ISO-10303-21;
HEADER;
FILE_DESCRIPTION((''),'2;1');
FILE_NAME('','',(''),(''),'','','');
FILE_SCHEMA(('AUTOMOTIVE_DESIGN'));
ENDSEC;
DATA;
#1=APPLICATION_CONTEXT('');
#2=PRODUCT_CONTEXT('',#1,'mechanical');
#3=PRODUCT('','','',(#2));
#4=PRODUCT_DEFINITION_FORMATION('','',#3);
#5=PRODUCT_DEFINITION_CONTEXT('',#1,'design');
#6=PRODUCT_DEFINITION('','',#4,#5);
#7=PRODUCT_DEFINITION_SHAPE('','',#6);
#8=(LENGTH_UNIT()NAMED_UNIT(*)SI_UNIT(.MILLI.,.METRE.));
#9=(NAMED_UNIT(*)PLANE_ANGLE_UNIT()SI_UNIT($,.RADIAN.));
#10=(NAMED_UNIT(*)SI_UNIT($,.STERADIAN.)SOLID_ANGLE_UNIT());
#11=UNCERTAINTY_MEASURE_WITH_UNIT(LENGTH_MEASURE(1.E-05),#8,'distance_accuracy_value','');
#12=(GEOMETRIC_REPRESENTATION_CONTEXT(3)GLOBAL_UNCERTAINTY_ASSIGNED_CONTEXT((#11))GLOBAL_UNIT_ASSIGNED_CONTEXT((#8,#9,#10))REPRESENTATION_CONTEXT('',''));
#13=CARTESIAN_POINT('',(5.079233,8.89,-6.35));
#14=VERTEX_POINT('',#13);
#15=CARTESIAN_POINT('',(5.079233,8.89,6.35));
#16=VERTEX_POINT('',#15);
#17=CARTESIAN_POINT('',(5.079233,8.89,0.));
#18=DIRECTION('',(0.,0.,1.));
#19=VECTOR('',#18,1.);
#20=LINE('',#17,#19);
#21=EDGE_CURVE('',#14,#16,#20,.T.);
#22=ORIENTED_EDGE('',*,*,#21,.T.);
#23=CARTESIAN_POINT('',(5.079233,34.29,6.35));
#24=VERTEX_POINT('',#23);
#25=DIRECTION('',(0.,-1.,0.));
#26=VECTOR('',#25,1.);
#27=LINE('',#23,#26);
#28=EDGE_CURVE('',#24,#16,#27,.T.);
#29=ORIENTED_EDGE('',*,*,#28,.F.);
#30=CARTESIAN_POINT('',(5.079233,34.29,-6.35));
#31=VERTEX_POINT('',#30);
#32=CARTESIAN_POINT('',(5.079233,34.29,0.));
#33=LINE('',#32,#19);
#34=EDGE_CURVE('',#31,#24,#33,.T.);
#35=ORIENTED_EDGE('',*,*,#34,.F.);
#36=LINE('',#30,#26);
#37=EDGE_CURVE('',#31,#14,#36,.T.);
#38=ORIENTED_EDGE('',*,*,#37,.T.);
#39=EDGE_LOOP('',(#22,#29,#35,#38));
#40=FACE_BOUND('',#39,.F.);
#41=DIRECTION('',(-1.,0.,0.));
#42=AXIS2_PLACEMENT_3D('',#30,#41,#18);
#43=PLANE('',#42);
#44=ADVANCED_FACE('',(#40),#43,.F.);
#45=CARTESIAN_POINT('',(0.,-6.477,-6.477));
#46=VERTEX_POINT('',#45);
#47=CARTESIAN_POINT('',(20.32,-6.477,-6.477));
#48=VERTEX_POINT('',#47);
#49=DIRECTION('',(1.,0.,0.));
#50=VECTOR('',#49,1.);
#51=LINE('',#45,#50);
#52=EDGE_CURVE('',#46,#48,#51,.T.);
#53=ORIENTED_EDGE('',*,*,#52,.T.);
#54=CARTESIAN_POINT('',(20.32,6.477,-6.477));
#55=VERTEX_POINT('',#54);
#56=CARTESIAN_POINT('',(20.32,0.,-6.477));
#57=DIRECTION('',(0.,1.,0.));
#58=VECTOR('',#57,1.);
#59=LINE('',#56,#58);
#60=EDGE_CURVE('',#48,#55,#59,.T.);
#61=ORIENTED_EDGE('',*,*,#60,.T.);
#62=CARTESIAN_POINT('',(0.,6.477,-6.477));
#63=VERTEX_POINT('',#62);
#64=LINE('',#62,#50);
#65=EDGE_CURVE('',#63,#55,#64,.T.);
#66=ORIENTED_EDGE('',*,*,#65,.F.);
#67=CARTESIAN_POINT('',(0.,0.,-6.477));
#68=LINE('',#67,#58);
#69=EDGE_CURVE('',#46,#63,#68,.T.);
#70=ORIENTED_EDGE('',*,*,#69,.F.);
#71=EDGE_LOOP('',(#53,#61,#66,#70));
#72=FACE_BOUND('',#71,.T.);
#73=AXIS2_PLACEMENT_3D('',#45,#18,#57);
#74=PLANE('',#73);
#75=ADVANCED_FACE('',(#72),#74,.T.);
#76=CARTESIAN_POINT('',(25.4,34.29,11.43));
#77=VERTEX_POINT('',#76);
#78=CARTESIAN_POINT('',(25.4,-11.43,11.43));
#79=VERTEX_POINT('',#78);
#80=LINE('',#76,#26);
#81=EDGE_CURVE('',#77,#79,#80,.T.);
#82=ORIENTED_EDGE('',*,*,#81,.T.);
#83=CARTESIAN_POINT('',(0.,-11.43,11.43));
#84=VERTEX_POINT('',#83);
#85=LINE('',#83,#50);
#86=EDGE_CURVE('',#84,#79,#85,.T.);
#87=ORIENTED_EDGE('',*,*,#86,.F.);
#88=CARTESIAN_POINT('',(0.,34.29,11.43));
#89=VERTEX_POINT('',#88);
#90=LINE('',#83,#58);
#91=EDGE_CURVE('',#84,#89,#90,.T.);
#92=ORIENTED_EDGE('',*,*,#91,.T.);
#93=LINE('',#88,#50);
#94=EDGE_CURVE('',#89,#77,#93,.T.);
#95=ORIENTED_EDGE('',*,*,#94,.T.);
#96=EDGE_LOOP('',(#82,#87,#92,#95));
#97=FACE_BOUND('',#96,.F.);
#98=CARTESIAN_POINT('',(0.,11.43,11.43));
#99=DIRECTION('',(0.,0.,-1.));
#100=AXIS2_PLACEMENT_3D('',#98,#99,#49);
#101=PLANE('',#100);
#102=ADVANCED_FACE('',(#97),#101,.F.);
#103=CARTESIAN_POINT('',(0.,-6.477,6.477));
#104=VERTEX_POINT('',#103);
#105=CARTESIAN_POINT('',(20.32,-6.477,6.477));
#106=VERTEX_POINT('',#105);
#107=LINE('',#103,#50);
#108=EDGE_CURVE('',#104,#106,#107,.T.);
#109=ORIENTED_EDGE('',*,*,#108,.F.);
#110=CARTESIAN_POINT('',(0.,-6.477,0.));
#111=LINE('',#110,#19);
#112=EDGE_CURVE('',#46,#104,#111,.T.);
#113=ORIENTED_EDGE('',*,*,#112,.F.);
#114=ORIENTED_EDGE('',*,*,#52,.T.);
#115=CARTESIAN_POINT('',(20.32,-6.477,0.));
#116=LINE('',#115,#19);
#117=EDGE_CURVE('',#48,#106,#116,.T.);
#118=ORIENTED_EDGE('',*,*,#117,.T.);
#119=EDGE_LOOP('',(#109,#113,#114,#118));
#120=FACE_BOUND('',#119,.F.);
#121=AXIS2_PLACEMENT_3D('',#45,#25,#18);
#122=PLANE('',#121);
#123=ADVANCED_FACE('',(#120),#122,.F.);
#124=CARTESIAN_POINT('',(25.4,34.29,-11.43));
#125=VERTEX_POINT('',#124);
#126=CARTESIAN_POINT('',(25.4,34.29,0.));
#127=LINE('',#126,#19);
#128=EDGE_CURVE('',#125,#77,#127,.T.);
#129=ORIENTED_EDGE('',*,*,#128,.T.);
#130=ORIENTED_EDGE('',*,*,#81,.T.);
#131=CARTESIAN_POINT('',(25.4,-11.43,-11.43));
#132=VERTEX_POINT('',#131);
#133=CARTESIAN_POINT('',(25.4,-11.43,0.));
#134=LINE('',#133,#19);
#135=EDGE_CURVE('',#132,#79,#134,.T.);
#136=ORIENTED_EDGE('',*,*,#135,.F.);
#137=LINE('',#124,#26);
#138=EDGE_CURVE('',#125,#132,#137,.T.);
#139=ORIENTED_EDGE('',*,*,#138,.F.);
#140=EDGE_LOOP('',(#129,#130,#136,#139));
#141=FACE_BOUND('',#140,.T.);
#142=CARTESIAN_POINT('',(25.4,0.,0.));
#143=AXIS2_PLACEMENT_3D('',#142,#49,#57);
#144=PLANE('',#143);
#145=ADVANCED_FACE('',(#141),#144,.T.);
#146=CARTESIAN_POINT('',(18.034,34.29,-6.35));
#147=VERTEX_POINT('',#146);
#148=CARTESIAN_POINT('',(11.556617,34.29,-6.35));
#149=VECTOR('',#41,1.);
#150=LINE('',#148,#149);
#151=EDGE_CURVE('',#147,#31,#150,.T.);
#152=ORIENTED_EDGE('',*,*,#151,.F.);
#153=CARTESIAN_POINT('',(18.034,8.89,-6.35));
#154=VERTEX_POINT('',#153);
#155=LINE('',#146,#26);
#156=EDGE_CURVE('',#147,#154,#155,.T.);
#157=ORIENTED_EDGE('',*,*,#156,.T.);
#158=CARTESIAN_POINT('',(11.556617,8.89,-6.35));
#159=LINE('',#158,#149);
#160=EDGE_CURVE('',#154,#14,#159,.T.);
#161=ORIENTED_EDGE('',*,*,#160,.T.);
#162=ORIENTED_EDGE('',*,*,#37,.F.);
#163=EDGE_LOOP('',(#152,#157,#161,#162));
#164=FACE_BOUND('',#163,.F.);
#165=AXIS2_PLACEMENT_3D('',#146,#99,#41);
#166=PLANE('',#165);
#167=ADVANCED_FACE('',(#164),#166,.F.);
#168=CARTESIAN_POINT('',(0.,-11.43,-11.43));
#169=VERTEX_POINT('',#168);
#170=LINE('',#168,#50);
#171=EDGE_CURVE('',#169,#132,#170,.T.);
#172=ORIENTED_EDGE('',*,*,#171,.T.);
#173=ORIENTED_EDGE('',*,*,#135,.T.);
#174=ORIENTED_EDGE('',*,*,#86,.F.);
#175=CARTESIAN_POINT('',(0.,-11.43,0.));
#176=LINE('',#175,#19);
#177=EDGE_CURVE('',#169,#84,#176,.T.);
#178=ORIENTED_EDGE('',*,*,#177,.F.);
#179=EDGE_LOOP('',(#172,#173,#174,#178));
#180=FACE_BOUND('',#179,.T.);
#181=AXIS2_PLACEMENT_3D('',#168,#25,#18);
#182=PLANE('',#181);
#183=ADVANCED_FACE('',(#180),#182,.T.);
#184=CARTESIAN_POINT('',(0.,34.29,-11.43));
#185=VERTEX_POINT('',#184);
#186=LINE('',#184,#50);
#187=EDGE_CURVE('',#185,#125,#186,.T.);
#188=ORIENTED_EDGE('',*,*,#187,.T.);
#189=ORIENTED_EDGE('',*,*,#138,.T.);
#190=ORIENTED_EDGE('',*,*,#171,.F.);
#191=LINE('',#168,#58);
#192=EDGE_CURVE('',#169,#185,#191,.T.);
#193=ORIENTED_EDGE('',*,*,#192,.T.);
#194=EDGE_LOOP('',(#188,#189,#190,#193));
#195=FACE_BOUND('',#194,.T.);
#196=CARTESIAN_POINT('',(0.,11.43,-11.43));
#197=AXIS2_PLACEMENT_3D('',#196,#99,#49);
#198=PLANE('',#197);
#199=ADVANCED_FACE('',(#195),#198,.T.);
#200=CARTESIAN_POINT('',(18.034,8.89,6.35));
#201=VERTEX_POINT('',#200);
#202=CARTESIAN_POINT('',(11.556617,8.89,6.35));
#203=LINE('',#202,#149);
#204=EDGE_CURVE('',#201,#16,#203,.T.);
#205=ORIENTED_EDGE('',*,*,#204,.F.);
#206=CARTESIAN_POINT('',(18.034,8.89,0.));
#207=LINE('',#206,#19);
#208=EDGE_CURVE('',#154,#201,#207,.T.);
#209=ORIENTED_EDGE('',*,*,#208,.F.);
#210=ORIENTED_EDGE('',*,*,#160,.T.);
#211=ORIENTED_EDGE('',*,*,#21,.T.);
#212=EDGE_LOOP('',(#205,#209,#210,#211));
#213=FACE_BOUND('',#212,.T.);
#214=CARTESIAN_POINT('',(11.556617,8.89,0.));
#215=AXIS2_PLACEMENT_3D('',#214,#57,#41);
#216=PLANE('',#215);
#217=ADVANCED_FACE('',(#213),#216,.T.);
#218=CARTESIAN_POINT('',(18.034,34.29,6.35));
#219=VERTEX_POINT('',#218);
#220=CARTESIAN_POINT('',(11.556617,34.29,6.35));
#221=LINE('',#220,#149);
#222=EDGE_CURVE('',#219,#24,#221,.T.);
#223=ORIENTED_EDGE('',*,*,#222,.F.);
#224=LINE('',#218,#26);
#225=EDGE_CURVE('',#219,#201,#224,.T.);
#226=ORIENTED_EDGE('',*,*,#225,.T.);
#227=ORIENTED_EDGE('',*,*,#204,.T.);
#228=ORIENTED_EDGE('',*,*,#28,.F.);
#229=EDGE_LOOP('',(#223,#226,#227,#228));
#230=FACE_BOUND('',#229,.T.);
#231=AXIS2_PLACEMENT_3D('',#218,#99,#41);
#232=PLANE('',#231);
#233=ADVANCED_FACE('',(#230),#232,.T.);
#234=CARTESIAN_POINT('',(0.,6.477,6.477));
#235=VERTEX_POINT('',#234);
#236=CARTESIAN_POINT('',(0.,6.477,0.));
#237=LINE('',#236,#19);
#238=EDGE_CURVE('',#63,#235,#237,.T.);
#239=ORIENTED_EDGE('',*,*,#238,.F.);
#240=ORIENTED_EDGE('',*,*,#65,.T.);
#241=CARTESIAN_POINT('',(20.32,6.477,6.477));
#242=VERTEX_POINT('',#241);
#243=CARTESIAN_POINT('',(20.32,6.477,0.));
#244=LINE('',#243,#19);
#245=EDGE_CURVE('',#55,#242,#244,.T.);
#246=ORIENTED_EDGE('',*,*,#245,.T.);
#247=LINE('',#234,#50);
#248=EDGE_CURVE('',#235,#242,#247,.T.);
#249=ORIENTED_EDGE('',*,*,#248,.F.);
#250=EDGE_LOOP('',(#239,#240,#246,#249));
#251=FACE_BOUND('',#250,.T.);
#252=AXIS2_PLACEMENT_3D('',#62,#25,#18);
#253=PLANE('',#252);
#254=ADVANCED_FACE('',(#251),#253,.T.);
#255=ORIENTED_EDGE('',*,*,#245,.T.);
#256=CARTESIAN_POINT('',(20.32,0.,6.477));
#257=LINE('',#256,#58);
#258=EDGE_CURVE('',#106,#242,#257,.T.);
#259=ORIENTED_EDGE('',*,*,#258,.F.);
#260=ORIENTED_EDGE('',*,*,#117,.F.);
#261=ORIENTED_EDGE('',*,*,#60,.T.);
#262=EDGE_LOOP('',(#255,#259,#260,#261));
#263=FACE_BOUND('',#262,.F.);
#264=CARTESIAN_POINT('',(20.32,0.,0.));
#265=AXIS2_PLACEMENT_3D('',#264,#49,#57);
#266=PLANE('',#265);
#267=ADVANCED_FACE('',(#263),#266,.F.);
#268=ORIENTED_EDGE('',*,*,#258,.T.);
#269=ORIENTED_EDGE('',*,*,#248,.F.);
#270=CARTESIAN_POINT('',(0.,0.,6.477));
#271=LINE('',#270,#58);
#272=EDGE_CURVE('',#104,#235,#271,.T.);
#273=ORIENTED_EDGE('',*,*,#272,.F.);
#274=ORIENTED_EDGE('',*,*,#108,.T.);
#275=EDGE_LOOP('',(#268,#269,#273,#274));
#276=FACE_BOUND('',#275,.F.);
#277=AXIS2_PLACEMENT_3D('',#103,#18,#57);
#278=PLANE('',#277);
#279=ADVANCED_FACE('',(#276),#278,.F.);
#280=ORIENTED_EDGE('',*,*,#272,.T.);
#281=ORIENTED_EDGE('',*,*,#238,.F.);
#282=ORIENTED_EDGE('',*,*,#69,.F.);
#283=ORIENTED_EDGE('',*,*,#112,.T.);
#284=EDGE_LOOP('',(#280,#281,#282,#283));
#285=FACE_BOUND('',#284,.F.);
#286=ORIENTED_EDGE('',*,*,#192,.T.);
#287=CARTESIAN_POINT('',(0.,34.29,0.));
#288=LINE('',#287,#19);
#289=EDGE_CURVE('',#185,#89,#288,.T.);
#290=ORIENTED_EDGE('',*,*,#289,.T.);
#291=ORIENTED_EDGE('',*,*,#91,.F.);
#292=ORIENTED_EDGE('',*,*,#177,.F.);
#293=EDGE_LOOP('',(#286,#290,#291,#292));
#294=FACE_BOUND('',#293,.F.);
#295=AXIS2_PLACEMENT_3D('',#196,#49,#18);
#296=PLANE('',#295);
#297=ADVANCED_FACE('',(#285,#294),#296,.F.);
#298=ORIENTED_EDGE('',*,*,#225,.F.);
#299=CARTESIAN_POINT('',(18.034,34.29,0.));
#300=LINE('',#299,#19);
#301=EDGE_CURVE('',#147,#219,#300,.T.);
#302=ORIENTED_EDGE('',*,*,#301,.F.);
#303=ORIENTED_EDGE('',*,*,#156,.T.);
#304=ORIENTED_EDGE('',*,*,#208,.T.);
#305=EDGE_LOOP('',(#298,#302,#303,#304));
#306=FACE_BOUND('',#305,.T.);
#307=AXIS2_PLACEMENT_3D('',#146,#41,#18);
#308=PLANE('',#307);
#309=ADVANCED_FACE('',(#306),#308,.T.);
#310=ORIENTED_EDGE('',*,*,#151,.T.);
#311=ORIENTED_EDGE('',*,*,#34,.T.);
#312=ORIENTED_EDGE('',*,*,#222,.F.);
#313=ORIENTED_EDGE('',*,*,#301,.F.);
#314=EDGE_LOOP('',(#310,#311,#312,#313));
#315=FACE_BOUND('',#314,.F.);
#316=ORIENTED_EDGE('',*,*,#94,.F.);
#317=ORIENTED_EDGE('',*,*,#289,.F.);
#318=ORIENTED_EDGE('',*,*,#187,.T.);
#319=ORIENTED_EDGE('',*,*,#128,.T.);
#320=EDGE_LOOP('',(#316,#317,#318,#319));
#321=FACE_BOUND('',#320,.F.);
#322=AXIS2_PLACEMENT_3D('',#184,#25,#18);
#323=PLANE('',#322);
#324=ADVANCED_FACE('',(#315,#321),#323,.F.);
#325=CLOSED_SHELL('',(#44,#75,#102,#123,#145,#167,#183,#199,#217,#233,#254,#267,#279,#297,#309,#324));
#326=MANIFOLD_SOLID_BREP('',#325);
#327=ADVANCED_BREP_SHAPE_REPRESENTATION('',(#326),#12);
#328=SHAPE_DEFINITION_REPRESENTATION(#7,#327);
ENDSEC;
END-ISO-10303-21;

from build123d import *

# Parameters (mm, degrees)
F0_W     = 22.86
F0_H     = 22.86
F0_W_2   = 12.954
F0_H_2   = 12.954
F1_DEPTH = 25.4
F2_DEPTH = 22.86
F3_W     = 12.954
F3_H     = 12.954
F4_DEPTH = 5.08
F5_W     = 12.9547669124
F5_H     = 12.7
F6_DEPTH = 25.4


with BuildPart() as f1:
    # F0 (on Right) → F1 (new body)
    with BuildSketch(Plane.YZ):
        Rectangle(F0_W, F0_H)
        Rectangle(F0_W_2, F0_H_2, mode=Mode.SUBTRACT)
    extrude(amount=F1_DEPTH)

    # F2 (add): a face of the model
    f2_faces = [f1.faces().sort_by_distance(p)[0] for p in [
        (12.7, 11.43, 0),
    ]]
    extrude(f2_faces, amount=F2_DEPTH)

    # F3 (on face) → F4 (join)
    with BuildSketch(Plane.YZ.offset(25.4)):
        Rectangle(F3_W, F3_H)
    extrude(amount=-F4_DEPTH)

    # F5 (on face) → F6 (cut)
    with BuildSketch(Plane(origin=(0, 34.29, 0), x_dir=(-1, 0, 0), z_dir=(0, 1, 0))):
        with Locations((-11.5566165438, 0)):
            Rectangle(F5_W, F5_H)
    extrude(amount=-F6_DEPTH, mode=Mode.SUBTRACT)


solid = f1.part
